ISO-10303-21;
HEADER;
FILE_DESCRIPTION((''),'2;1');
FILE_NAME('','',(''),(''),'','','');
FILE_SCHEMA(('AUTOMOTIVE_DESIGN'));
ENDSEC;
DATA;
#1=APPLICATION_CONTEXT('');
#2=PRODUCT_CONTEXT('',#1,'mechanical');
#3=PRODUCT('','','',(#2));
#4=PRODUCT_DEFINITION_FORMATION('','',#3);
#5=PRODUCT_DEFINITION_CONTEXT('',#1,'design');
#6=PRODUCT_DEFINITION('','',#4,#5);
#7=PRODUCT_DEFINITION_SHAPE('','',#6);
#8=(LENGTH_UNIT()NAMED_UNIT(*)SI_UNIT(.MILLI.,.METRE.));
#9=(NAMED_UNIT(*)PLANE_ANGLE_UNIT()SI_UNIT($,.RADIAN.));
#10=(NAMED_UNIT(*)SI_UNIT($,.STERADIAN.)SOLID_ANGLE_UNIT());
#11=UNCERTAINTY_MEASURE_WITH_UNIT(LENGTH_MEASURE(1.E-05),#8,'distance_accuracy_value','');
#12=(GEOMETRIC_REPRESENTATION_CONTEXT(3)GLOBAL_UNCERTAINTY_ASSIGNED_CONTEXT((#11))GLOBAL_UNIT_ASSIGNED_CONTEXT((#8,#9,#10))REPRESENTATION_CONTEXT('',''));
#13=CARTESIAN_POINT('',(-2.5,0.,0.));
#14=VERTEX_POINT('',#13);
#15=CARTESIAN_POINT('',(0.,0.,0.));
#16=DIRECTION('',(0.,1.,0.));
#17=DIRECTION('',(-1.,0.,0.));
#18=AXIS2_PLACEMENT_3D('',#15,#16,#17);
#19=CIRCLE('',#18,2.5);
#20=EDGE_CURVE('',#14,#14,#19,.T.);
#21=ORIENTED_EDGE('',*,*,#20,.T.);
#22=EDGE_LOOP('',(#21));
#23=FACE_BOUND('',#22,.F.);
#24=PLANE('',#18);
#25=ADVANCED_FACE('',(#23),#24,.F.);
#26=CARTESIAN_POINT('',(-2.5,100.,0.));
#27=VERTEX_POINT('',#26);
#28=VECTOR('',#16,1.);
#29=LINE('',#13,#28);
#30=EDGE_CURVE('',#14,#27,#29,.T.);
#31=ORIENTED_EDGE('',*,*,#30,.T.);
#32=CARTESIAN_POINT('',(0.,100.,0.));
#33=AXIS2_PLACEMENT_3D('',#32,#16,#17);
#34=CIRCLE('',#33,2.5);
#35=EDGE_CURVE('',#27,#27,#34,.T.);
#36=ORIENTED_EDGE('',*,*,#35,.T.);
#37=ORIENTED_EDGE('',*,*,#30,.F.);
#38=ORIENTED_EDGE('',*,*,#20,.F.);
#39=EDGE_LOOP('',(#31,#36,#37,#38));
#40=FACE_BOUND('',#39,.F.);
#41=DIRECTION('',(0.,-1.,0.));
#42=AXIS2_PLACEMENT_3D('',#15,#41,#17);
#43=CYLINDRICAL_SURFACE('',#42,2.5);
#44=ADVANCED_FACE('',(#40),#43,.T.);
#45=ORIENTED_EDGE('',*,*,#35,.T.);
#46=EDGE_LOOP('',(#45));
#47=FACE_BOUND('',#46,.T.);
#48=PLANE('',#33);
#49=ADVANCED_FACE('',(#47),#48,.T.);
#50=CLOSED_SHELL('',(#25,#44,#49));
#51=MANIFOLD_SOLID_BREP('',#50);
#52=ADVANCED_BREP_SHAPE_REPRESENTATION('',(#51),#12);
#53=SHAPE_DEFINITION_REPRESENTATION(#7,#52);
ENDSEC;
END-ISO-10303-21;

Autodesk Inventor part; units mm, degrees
ref_plane "YZ Plane" through (0, 0, 0) normal (1, 0, 0) x (0, 1, 0)
ref_plane "XZ Plane" through (0, 0, 0) normal (0, 1, 0) x (-1, 0, 0)
ref_plane "XY Plane" through (0, 0, 0) normal (0, 0, 1) x (1, 0, 0)
sketch "Sketch1" plane through (0, 0, 0) normal (0, 1, 0) x (-1, 0, 0)
  circle A0 centre (0, 0) radius 2.5
  dimension "d0" = 5
extrude "Extrusion1" add sketch "Sketch1" along normal blind 100
properties part number "holder_schaft_9" material "Stainless Steel"
